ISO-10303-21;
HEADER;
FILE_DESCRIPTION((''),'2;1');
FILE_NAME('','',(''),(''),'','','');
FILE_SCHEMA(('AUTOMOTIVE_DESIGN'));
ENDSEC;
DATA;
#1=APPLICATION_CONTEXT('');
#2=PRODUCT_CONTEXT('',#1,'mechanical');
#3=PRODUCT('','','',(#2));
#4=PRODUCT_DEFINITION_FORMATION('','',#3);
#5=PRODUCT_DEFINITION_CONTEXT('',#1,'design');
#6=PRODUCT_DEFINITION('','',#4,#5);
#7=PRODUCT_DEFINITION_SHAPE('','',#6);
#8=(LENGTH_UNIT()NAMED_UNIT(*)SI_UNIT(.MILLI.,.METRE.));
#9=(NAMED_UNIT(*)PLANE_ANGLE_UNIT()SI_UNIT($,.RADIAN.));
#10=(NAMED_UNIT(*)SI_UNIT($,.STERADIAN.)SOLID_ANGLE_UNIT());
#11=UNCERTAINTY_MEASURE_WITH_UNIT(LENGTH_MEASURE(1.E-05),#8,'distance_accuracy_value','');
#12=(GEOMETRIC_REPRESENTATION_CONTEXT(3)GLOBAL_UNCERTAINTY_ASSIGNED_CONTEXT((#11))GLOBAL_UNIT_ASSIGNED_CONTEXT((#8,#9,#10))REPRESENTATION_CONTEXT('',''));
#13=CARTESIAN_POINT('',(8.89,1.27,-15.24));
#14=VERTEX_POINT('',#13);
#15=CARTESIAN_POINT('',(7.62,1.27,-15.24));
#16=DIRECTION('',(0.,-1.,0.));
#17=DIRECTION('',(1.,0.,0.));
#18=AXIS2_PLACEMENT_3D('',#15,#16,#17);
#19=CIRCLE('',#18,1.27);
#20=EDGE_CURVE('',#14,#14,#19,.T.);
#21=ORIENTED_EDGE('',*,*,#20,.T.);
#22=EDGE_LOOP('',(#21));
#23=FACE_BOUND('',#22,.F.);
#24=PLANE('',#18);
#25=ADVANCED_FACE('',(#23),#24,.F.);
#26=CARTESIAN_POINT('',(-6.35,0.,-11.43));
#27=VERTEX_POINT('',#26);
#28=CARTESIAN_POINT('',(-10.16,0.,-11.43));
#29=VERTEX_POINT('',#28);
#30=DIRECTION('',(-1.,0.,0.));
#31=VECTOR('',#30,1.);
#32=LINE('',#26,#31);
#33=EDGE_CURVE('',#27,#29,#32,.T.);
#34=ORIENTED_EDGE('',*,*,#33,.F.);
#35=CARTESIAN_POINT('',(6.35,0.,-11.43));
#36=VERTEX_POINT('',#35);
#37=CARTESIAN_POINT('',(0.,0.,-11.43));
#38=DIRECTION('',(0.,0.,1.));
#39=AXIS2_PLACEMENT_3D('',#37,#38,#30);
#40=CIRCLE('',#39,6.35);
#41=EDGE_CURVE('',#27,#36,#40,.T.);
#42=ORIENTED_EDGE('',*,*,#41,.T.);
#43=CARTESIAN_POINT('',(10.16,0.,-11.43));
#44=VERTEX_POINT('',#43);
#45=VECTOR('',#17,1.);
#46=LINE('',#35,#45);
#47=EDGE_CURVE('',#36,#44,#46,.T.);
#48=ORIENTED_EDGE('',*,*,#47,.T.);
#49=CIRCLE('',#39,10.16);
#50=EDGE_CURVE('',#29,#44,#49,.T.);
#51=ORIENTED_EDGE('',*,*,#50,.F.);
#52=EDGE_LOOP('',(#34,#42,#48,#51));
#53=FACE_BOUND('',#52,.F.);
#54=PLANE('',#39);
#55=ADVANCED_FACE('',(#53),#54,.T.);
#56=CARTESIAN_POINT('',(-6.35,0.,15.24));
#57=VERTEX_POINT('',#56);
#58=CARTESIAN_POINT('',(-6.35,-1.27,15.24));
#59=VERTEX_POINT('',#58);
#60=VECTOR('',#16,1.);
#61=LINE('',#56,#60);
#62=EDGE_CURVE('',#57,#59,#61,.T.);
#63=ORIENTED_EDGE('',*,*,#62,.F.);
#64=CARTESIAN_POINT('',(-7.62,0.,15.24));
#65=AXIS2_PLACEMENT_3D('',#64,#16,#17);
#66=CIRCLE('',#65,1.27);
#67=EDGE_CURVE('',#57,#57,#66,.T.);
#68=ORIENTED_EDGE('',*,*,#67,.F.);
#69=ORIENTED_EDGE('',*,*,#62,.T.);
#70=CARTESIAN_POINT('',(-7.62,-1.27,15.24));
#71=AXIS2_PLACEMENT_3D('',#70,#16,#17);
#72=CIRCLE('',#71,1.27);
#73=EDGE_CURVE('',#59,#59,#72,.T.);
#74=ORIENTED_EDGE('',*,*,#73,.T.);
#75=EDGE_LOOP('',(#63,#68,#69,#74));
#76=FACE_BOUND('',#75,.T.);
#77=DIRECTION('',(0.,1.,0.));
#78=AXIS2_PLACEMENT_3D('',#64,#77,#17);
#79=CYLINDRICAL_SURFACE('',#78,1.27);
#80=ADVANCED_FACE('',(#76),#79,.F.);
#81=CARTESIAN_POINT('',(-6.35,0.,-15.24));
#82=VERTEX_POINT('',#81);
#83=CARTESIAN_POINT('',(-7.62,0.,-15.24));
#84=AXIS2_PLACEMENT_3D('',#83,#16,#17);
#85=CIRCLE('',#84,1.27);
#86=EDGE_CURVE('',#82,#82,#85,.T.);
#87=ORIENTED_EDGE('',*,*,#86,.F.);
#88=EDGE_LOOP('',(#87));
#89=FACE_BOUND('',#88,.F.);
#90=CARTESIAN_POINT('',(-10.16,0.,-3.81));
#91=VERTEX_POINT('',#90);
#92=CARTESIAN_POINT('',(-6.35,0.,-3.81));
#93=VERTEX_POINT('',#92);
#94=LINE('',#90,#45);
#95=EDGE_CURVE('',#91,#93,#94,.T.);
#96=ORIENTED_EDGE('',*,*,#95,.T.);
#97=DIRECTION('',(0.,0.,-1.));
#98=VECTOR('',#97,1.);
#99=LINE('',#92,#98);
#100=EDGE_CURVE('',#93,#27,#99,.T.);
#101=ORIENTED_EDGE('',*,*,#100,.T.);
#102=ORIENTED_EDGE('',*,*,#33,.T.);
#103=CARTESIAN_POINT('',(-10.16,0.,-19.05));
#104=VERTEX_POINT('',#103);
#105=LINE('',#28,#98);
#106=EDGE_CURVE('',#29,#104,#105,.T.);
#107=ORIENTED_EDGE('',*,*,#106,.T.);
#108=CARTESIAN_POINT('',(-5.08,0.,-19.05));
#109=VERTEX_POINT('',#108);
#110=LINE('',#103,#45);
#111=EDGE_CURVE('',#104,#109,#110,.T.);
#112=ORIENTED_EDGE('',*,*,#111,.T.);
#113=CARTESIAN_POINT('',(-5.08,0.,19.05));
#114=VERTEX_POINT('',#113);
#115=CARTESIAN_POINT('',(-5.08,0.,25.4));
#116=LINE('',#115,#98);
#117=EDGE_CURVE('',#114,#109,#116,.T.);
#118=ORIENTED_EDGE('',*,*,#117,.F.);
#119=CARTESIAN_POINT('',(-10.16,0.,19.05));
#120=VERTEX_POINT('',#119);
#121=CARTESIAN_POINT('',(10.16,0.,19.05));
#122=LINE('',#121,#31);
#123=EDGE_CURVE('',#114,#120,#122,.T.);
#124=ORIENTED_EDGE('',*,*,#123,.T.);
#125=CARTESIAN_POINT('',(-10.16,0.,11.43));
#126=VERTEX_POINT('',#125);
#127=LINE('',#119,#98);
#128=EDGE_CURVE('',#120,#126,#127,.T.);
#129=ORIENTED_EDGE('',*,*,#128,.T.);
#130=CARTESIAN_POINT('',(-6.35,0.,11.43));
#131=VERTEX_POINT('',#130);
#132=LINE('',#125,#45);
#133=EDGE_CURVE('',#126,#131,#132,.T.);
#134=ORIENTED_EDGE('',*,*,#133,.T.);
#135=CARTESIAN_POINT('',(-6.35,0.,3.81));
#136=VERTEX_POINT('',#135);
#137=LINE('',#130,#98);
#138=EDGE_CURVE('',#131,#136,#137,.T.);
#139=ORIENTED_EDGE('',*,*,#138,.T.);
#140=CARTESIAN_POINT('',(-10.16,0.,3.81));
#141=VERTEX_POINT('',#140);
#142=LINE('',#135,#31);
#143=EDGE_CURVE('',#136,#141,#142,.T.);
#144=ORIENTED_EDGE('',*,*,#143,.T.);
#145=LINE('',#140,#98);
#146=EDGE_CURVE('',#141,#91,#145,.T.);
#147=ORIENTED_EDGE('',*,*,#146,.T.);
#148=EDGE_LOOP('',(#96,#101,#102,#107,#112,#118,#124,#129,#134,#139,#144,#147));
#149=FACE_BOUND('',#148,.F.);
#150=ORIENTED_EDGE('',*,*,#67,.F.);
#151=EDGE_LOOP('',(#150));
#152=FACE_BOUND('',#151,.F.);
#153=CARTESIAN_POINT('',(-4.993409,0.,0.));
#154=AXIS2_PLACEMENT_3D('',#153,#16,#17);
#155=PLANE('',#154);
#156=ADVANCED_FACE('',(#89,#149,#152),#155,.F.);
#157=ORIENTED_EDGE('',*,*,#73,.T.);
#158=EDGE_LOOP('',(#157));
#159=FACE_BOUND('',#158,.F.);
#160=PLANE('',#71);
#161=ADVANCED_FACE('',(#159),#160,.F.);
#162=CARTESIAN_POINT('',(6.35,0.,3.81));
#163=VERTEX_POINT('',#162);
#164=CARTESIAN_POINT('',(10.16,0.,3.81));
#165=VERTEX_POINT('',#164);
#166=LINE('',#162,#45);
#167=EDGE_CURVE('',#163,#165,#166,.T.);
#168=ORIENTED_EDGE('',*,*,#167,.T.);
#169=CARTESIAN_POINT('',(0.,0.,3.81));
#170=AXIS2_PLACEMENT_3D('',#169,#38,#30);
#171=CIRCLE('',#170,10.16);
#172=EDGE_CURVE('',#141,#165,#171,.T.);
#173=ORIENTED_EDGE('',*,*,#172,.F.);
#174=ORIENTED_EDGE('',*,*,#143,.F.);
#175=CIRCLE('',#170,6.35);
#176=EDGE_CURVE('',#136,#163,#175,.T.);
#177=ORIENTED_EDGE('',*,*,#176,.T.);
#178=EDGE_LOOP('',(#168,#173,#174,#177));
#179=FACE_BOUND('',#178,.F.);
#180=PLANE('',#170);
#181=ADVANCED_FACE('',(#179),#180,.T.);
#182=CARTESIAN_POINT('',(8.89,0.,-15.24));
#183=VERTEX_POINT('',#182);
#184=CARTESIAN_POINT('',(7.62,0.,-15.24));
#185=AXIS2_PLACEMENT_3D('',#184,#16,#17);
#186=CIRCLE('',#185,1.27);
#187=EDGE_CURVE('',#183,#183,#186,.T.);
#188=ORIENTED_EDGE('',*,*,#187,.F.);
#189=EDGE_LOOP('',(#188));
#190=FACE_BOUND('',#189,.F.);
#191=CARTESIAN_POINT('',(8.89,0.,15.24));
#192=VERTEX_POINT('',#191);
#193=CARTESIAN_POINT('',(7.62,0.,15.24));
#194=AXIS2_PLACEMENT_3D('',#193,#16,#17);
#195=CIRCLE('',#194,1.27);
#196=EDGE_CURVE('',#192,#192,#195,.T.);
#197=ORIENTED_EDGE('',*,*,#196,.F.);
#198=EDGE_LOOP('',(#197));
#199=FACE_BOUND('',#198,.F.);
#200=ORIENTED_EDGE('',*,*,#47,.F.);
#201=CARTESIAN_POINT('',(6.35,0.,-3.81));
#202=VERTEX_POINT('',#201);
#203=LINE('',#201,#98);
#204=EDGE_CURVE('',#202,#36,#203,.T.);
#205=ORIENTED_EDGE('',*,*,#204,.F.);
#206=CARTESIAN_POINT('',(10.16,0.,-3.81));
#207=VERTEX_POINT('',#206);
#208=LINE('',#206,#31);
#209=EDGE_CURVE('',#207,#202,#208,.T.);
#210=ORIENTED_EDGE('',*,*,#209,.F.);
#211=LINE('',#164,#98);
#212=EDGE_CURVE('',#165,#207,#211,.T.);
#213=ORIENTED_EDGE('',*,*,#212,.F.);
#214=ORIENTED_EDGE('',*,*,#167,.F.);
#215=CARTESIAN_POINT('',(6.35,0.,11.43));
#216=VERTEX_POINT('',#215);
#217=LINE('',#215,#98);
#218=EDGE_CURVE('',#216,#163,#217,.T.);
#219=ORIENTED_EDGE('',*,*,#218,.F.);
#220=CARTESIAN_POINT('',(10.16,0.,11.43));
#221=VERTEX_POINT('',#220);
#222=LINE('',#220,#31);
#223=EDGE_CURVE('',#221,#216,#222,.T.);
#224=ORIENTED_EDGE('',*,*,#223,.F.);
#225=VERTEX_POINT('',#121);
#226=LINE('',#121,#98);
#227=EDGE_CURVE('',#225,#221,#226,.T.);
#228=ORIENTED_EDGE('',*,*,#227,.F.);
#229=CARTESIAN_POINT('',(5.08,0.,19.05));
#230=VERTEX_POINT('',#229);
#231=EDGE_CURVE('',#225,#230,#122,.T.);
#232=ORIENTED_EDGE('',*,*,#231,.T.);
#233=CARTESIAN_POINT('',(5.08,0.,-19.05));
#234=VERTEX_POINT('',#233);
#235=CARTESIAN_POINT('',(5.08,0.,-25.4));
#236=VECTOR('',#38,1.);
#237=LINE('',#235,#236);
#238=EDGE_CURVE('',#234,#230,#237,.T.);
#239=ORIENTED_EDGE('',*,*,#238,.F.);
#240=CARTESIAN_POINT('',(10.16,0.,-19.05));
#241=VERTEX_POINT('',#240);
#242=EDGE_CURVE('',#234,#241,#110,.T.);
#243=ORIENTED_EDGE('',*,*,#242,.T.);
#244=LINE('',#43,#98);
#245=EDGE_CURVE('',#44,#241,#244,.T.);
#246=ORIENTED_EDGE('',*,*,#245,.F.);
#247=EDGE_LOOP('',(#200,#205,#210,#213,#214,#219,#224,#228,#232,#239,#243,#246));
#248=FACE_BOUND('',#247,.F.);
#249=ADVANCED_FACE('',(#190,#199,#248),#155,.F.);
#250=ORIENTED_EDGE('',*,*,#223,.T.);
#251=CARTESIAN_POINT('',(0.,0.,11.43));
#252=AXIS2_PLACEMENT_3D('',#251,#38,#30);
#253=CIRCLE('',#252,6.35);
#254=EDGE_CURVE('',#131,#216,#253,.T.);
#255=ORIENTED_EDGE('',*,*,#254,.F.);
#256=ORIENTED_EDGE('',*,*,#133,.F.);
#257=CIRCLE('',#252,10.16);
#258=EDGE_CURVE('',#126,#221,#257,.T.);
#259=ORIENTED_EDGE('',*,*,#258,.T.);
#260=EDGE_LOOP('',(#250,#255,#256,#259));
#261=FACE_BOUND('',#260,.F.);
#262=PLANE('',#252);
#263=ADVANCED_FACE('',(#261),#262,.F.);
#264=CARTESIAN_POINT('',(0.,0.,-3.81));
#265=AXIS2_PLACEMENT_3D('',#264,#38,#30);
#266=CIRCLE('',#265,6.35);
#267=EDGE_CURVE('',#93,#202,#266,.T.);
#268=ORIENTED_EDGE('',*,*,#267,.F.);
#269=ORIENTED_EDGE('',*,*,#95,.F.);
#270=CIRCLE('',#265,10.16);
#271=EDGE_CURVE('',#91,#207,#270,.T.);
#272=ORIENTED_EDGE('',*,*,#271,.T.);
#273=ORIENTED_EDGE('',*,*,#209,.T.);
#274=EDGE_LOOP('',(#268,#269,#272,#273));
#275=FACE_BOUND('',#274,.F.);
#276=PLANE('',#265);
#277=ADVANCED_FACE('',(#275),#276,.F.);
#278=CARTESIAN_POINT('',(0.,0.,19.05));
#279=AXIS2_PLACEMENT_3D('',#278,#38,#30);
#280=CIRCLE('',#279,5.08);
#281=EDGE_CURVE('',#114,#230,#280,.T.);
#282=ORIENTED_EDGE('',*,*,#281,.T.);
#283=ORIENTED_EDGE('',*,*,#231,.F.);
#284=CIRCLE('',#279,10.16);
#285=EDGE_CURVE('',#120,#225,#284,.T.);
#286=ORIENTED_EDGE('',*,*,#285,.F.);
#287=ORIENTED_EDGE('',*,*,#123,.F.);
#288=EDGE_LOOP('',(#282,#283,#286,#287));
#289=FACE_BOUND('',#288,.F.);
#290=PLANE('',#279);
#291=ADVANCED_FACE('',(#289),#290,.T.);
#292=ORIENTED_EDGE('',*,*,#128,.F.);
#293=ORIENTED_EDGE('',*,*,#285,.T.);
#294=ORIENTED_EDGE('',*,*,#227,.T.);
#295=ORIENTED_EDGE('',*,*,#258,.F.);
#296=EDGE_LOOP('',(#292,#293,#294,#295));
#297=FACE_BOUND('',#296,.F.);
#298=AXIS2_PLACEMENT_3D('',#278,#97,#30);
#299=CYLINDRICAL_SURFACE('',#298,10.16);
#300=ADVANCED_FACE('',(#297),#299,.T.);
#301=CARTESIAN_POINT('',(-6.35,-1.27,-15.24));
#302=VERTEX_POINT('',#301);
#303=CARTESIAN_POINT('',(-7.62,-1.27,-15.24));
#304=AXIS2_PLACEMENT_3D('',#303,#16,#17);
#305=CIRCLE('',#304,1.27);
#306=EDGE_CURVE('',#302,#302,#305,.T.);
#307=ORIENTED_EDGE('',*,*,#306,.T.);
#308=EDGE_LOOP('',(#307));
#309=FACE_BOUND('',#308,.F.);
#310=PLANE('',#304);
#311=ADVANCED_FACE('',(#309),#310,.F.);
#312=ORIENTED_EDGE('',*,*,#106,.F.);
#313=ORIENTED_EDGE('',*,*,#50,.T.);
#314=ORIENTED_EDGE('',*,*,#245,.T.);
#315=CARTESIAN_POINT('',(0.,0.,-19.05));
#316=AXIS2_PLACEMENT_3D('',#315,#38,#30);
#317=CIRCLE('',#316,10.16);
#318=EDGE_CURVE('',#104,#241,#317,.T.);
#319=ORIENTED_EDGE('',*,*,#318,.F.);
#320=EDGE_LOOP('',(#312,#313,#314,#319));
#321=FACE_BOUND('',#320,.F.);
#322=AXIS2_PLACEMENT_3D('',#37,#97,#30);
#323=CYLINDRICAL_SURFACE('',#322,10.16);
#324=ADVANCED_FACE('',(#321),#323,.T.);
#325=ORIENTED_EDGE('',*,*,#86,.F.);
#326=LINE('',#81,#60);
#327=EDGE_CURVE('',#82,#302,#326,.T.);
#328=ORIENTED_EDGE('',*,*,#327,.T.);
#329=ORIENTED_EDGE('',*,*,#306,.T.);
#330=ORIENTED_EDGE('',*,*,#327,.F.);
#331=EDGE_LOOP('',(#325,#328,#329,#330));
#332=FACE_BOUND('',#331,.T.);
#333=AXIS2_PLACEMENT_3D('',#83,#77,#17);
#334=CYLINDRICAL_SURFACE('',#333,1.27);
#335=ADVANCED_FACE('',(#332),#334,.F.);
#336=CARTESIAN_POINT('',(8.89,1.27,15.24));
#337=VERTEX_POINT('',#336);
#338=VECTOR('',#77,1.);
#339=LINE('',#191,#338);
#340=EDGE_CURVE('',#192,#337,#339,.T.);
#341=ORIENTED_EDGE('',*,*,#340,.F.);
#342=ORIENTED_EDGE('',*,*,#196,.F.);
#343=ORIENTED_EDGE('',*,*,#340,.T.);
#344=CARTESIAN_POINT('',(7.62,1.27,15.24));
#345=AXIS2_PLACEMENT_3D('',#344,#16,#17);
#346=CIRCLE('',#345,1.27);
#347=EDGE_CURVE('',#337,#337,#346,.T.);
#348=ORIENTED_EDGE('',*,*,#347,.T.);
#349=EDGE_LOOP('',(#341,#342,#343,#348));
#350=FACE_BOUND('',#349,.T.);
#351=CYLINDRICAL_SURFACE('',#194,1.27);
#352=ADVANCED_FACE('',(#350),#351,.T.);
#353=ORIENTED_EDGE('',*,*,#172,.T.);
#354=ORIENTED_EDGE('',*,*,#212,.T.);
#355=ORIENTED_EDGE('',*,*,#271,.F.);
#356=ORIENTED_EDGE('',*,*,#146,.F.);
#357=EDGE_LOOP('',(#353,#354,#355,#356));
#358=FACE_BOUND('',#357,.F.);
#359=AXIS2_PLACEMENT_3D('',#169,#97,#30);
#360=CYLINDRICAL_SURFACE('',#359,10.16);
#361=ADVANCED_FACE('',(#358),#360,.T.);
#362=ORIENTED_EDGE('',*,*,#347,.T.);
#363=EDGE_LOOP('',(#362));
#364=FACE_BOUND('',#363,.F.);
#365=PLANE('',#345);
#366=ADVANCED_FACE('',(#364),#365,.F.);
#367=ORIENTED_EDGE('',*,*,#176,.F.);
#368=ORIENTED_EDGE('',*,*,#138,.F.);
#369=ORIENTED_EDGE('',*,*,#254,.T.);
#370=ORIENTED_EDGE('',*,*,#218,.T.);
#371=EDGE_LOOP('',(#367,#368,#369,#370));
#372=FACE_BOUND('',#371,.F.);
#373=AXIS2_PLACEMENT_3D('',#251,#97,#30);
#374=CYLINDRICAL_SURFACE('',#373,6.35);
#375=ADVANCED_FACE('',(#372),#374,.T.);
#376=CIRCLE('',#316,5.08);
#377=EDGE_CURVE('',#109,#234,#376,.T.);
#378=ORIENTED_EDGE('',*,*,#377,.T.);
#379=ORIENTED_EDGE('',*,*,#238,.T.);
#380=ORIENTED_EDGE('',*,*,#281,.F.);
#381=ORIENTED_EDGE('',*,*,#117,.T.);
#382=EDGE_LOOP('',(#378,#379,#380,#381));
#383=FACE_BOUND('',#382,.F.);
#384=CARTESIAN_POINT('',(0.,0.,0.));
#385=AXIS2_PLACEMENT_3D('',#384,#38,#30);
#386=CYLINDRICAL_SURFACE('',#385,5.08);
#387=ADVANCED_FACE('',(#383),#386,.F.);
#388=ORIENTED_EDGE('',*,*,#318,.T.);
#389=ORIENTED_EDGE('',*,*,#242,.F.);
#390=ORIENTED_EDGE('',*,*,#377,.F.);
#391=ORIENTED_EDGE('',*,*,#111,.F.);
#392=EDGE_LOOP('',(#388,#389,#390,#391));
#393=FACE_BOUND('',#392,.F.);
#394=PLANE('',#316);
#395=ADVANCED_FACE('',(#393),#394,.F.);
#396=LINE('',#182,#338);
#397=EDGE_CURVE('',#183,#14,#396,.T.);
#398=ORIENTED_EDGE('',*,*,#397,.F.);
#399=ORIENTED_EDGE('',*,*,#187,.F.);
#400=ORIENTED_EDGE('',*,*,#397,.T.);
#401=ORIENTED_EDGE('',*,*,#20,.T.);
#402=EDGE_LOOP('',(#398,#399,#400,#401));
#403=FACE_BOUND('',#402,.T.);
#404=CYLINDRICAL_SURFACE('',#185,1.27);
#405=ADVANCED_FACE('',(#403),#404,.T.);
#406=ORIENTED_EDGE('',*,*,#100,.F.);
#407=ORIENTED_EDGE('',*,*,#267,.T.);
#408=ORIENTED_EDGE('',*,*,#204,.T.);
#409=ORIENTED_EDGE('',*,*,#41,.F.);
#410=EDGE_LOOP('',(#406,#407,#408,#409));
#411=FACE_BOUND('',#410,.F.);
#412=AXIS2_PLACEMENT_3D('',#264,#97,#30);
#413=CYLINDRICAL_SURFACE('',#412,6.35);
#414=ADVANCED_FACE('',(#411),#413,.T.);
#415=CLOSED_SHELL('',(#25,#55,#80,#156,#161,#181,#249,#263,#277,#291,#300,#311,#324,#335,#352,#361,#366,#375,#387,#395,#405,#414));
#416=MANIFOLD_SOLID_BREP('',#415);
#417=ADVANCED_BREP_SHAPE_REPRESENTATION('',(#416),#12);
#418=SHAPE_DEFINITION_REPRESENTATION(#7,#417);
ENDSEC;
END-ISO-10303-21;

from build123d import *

# Parameters (mm, degrees)
F1_ANGLE = 180
F3_DEPTH = 25.4
F4_R     = 1.27
F5_DEPTH = 1.27
F6_R     = 1.27
F7_DEPTH = 1.27


with BuildPart() as f1:
    # F0 (on Front) → F1 (revolve)
    with BuildSketch(Plane.XZ):
        Polygon((0, -19.05), (0, 19.05), (-10.16, 19.05), (-10.16, 11.43), (-6.35, 11.43), (-6.35, 3.81), (-10.16, 3.81), (-10.16, -3.81), (-6.35, -3.81), (-6.35, -11.43), (-10.16, -11.43), (-10.16, -19.05), align=None)
    revolve(axis=Axis((0, 0, 0), (0, 0, 1)), revolution_arc=F1_ANGLE)

    # F2 (on Top) → F3 (cut, symmetric)
    with BuildSketch(Plane.XY):
        with BuildLine():
            ThreePointArc((-5.08, 0), (0, -5.08), (5.08, 0))
            Line((5.08, 0), (-5.08, 0))
        make_face()
    extrude(amount=F3_DEPTH, both=True, mode=Mode.SUBTRACT)

    # F4 (on Front) → F5 (join)
    with BuildSketch(Plane.XZ):
        with Locations((7.62, 15.24)):
            Circle(F4_R)
        with Locations((7.62, -15.24)):
            Circle(F4_R)
    extrude(amount=-F5_DEPTH)

    # F6 (on Front) → F7 (cut)
    with BuildSketch(Plane.XZ):
        with Locations((-7.62, 15.24)):
            Circle(F6_R)
        with Locations((-7.62, -15.24)):
            Circle(F6_R)
    extrude(amount=F7_DEPTH, mode=Mode.SUBTRACT)


solid = f1.part
